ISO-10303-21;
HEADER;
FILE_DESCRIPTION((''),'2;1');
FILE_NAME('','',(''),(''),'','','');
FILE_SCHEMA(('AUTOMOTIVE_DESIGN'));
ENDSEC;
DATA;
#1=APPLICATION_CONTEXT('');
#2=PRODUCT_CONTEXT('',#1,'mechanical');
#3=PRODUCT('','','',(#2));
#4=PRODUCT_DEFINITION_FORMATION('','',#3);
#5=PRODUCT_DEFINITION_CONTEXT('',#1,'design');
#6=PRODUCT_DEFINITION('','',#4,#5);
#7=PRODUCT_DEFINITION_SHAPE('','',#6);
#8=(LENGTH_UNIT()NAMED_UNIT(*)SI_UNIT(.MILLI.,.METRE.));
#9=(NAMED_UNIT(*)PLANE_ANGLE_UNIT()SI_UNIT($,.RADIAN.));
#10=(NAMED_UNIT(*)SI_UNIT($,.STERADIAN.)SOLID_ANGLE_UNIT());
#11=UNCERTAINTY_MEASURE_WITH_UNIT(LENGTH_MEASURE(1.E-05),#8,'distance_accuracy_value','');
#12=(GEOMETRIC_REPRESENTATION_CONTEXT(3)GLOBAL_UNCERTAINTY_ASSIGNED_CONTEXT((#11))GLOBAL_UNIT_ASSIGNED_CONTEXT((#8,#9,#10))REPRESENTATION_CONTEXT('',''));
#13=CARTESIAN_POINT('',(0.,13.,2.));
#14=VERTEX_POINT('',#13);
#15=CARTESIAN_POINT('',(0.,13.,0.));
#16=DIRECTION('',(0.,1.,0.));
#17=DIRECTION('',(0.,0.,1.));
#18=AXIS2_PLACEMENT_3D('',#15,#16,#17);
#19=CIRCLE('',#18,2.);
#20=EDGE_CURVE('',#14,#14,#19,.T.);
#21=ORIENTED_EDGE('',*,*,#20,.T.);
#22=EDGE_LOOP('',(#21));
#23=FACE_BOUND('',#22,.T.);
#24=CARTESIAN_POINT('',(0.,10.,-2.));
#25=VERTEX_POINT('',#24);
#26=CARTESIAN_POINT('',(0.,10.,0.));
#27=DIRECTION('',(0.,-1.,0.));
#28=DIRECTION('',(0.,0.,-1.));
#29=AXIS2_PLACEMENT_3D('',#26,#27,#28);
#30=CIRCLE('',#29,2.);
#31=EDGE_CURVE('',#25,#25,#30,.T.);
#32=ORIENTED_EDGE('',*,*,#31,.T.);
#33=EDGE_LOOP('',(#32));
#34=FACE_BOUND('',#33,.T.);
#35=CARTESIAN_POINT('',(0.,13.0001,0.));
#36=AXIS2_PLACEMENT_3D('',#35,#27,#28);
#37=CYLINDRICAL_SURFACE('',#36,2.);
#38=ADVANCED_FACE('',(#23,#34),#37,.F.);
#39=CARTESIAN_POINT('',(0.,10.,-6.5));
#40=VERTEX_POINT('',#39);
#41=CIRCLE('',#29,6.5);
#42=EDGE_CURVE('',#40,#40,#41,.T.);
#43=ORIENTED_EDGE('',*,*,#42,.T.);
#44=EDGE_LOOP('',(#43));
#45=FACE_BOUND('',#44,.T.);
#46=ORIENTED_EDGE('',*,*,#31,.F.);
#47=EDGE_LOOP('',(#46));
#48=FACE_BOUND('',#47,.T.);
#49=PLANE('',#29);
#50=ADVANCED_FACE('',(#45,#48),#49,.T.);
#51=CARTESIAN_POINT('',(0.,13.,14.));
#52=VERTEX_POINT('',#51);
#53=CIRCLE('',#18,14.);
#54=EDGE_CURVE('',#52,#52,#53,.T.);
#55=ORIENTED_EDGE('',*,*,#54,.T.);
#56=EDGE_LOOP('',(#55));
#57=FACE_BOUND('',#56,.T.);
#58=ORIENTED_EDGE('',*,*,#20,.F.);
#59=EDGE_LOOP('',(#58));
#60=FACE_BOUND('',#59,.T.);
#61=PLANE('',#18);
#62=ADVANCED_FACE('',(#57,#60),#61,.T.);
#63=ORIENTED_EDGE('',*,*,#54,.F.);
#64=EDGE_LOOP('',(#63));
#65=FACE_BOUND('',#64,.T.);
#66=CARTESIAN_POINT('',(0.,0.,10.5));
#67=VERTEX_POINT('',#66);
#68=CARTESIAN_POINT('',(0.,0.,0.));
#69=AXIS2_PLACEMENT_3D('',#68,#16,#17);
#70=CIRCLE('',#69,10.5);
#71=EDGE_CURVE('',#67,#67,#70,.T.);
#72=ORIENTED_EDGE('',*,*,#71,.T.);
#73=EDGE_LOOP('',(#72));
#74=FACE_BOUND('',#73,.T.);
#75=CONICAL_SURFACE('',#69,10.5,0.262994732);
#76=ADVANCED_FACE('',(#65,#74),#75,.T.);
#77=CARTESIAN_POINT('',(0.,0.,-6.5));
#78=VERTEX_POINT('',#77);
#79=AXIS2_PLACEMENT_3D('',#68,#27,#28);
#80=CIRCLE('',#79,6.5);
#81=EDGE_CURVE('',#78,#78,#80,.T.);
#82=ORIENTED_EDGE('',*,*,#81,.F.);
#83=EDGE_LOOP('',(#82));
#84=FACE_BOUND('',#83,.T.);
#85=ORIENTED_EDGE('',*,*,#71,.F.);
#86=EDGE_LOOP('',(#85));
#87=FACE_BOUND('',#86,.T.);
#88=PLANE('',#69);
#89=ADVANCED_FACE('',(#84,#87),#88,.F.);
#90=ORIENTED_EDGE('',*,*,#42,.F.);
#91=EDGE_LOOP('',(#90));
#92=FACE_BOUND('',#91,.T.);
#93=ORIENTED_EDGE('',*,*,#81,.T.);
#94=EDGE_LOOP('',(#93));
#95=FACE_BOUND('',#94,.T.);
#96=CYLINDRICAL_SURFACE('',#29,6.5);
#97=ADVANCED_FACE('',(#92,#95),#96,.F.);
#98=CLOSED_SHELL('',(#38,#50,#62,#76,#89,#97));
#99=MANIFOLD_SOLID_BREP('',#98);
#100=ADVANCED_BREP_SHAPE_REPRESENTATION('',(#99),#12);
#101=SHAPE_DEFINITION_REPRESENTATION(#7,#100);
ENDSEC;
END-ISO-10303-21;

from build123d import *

# Parameters (mm, degrees)
SKETCH_2_R          = 14
SKETCH_1_R          = 10.5
SKETCH_3_R          = 6.5
CUT_EXTRUDE_1_DEPTH = 10
SKETCH_4_R          = 2
CUT_EXTRUDE_2_DEPTH = 23.181073184


with BuildPart() as part:
    # Эскиз2 → По сечениям1 section 0
    with BuildSketch(Plane(origin=(0, 13, 0), x_dir=(1, 0, 0), z_dir=(0, 1, 0))):
        Circle(SKETCH_2_R)
    # Эскиз1 → По сечениям1 section 1
    with BuildSketch(Plane(origin=(0, 0, 0), x_dir=(1, 0, 0), z_dir=(0, 1, 0))):
        Circle(SKETCH_1_R)
    loft()

    # Эскиз3 → Вырез-Вытянуть1 (cut)
    with BuildSketch(Plane.XZ):
        with Locations(Location((0, 0, 0), (0, 0, 270))):
            Circle(SKETCH_3_R)
    extrude(amount=-CUT_EXTRUDE_1_DEPTH, mode=Mode.SUBTRACT)

    # Эскиз4 → Вырез-Вытянуть2 (cut, through all)
    with BuildSketch(Plane.XZ.offset(-10)):
        with Locations(Location((0, 0, 0), (0, 0, 270))):
            Circle(SKETCH_4_R)
    extrude(amount=-CUT_EXTRUDE_2_DEPTH, mode=Mode.SUBTRACT)


solid = part.part
